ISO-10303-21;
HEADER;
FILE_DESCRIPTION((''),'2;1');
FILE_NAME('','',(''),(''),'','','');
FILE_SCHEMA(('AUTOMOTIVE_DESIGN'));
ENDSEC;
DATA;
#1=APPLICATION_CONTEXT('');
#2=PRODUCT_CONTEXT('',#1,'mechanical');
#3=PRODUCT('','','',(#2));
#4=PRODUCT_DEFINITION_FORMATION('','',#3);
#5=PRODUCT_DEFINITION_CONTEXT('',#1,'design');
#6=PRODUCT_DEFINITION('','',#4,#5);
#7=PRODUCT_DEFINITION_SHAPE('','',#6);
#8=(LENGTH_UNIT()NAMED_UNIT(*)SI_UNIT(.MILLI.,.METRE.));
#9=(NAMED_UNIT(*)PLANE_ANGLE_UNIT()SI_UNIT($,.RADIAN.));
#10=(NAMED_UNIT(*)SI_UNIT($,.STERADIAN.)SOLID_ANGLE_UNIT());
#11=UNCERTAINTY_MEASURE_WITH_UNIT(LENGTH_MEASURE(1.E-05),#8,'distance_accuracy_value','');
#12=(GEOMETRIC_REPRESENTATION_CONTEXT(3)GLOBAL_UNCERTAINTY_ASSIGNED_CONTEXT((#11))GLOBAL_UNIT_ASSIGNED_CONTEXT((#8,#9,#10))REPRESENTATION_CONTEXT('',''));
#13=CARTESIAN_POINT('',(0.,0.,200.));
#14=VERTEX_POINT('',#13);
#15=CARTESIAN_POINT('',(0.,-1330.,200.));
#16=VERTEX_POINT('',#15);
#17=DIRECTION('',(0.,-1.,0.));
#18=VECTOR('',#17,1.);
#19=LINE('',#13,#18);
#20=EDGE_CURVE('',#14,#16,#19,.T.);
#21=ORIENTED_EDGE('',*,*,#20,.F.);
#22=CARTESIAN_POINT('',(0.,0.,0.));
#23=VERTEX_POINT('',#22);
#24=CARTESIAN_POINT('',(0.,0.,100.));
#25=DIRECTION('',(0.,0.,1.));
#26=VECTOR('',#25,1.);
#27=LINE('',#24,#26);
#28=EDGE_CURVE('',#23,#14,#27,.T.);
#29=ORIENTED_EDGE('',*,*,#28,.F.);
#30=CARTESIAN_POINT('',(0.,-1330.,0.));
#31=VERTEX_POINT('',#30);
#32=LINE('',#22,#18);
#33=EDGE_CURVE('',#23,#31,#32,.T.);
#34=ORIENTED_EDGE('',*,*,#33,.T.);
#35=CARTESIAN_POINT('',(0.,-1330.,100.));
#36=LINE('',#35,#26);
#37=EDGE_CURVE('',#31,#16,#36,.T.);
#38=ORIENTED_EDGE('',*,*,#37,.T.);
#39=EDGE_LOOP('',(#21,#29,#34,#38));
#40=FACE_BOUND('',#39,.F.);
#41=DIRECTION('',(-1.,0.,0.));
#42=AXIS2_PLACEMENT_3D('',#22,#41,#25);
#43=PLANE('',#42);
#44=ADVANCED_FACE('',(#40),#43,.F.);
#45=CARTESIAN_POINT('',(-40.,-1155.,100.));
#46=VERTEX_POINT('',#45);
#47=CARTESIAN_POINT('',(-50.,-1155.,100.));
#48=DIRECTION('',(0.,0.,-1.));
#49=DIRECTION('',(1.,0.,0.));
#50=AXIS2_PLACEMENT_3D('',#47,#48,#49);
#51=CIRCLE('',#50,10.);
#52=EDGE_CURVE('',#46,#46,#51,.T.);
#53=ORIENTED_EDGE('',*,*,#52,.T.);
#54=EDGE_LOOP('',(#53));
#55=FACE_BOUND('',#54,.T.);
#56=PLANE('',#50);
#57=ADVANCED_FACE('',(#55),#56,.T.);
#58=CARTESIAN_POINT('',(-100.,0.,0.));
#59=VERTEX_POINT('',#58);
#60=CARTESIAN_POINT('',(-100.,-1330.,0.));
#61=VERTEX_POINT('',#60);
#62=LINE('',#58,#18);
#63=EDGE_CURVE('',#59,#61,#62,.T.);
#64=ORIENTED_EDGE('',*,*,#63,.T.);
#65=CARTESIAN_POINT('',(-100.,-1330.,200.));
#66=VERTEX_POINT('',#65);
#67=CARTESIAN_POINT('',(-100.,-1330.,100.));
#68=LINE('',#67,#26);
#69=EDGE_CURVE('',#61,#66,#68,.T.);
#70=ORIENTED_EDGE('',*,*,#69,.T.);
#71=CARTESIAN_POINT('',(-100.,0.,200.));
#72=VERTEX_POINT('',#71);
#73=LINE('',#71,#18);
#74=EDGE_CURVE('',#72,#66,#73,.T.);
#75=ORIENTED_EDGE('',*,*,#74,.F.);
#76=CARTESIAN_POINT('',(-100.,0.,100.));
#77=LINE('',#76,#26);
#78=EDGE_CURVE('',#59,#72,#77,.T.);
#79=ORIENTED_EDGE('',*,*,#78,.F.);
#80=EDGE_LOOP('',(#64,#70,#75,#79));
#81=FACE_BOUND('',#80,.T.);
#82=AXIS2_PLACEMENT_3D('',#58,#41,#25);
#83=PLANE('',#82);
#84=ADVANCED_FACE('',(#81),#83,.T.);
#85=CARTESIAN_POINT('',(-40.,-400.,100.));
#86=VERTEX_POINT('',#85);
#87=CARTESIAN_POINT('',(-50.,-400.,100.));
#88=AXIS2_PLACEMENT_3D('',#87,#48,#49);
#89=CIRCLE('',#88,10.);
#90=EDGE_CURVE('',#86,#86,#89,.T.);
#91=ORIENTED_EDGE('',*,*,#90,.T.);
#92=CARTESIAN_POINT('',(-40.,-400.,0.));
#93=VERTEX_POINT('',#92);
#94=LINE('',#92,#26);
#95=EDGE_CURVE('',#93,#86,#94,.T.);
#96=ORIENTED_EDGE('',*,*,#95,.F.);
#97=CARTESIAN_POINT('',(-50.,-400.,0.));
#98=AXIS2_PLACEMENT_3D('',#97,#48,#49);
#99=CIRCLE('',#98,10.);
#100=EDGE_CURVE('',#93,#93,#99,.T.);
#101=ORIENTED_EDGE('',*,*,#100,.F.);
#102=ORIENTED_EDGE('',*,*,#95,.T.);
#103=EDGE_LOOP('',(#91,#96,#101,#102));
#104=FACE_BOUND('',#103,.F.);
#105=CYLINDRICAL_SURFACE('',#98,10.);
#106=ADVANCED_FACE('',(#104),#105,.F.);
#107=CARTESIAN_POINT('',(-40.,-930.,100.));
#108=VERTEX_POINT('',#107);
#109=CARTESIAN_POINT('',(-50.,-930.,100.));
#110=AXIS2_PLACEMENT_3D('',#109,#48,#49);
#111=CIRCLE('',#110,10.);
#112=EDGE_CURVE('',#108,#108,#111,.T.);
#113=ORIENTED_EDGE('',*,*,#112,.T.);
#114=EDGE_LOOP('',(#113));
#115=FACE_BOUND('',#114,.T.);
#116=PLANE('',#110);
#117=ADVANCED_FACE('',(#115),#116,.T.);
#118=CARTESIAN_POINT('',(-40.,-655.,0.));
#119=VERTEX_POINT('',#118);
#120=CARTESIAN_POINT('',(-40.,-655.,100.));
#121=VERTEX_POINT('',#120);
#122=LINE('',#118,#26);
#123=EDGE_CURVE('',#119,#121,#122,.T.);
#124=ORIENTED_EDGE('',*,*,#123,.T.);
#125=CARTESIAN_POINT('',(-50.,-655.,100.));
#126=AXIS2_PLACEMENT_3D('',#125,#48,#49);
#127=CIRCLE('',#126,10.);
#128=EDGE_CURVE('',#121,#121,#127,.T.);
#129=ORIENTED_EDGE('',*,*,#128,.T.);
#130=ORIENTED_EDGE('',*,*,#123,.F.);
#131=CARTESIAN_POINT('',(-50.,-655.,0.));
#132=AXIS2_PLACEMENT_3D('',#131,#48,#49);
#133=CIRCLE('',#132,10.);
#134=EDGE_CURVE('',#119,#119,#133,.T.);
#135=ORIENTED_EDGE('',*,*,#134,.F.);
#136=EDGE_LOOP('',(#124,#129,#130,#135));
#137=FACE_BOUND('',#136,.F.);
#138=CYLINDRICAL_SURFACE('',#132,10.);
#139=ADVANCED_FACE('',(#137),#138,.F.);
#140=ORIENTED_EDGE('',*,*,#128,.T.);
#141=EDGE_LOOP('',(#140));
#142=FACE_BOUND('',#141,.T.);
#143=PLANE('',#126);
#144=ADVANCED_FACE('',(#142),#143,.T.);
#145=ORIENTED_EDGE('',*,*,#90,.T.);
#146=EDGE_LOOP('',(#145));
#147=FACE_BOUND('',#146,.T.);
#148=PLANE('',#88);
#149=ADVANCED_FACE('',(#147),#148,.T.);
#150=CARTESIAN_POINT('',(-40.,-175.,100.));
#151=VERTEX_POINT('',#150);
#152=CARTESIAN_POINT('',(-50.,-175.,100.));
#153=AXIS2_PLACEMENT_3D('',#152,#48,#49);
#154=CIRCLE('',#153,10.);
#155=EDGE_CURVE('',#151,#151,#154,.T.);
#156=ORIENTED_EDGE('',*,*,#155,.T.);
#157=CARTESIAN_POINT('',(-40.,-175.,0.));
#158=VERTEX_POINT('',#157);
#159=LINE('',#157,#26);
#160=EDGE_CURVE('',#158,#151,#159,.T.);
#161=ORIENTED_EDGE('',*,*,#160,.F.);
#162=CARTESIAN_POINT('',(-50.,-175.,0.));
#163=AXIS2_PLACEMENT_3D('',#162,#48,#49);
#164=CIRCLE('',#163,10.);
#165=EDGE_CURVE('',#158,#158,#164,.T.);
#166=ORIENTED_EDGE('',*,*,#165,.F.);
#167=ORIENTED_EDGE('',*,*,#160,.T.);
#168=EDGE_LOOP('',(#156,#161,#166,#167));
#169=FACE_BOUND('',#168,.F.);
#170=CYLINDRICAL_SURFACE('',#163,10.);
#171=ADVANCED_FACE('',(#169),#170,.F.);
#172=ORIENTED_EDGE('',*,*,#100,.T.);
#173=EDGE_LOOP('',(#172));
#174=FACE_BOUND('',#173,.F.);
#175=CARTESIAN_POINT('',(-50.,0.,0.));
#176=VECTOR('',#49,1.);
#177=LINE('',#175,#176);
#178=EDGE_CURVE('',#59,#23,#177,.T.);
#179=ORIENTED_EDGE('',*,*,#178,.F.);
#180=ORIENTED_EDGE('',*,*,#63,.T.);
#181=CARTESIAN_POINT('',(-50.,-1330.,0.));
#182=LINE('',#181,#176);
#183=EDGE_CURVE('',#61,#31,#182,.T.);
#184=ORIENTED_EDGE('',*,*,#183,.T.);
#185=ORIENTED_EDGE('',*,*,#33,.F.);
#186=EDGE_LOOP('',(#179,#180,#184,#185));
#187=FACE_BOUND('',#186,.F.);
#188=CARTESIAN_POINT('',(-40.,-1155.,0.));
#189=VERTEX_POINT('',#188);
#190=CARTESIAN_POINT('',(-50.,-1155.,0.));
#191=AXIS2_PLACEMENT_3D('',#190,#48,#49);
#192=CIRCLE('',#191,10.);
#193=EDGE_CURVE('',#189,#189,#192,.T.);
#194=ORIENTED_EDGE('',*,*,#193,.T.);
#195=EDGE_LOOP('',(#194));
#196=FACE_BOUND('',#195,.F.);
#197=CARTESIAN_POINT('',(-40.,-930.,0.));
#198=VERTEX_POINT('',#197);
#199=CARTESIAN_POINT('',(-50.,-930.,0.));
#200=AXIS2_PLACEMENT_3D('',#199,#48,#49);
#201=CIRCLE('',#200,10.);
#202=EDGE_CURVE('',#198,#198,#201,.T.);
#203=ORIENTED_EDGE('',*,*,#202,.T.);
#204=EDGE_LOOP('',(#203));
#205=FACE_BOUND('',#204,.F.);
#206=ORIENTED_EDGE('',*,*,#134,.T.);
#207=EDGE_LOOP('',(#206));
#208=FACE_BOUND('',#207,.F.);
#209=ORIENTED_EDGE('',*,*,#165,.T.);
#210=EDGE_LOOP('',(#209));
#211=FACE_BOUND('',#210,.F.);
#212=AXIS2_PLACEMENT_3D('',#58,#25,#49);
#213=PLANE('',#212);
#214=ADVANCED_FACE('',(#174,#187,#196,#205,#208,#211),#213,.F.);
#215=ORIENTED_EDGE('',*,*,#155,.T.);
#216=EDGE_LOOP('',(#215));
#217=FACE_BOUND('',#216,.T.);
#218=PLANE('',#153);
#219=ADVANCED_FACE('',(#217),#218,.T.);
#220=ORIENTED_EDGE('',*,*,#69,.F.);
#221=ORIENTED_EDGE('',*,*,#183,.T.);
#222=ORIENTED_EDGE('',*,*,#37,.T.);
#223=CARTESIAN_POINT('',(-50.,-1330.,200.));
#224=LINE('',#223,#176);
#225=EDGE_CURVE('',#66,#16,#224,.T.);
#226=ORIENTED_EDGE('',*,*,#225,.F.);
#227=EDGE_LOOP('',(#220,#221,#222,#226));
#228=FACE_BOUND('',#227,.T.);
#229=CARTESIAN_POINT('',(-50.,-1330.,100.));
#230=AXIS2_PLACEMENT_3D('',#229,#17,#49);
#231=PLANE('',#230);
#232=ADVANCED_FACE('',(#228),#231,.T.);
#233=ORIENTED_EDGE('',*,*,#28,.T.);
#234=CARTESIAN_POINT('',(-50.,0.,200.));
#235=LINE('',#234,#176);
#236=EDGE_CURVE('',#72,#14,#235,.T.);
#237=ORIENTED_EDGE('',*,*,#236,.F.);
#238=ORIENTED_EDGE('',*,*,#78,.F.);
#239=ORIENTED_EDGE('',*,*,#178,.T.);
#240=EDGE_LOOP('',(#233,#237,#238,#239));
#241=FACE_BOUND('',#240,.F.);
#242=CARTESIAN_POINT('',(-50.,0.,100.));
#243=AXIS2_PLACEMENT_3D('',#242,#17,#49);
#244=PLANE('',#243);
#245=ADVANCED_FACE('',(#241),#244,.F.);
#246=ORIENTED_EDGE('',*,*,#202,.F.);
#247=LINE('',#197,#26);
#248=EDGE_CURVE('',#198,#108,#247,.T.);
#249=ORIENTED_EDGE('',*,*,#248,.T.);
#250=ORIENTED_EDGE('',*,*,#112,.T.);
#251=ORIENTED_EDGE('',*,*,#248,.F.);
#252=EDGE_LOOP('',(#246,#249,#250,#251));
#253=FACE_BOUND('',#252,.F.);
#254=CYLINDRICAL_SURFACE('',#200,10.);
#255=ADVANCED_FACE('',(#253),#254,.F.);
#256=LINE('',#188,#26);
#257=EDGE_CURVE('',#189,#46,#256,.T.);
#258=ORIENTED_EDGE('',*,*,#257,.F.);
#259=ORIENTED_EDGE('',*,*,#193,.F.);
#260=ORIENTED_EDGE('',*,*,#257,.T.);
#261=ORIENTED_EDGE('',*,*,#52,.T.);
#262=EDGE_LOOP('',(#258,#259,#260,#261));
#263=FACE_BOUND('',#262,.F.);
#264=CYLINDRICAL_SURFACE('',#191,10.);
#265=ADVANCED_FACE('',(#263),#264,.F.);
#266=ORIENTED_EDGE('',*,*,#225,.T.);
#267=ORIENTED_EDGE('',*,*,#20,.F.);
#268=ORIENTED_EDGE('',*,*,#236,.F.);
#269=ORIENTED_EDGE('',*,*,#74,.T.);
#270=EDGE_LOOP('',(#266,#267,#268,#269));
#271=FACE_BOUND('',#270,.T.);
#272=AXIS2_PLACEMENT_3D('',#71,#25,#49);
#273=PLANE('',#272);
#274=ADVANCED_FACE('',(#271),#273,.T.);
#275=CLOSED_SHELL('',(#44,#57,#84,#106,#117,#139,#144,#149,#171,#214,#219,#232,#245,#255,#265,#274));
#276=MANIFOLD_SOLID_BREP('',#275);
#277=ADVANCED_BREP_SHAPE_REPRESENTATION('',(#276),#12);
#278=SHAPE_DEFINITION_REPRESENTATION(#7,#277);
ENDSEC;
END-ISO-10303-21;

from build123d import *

# Parameters (mm, degrees)
F0_W     = 100
F0_H     = 200
F1_DEPTH = 1330
F2_R     = 10
F3_DEPTH = 100


with BuildPart() as f1:
    # F0 (on Front) → F1 (new body)
    with BuildSketch(Plane.XZ):
        with Locations((-50, 100)):
            Rectangle(F0_W, F0_H)
    extrude(amount=F1_DEPTH)

    # F2 (on face) → F3 (cut)
    with BuildSketch(Plane(origin=(0, 0, 0), x_dir=(1, 0, 0), z_dir=(0, 0, -1))):
        with Locations((-50, 1155)):
            Circle(F2_R)
        with Locations((-50, 930)):
            Circle(F2_R)
        with Locations((-50, 655)):
            Circle(F2_R)
        with Locations((-50, 400)):
            Circle(F2_R)
        with Locations((-50, 175)):
            Circle(F2_R)
    extrude(amount=-F3_DEPTH, mode=Mode.SUBTRACT)


solid = f1.part
